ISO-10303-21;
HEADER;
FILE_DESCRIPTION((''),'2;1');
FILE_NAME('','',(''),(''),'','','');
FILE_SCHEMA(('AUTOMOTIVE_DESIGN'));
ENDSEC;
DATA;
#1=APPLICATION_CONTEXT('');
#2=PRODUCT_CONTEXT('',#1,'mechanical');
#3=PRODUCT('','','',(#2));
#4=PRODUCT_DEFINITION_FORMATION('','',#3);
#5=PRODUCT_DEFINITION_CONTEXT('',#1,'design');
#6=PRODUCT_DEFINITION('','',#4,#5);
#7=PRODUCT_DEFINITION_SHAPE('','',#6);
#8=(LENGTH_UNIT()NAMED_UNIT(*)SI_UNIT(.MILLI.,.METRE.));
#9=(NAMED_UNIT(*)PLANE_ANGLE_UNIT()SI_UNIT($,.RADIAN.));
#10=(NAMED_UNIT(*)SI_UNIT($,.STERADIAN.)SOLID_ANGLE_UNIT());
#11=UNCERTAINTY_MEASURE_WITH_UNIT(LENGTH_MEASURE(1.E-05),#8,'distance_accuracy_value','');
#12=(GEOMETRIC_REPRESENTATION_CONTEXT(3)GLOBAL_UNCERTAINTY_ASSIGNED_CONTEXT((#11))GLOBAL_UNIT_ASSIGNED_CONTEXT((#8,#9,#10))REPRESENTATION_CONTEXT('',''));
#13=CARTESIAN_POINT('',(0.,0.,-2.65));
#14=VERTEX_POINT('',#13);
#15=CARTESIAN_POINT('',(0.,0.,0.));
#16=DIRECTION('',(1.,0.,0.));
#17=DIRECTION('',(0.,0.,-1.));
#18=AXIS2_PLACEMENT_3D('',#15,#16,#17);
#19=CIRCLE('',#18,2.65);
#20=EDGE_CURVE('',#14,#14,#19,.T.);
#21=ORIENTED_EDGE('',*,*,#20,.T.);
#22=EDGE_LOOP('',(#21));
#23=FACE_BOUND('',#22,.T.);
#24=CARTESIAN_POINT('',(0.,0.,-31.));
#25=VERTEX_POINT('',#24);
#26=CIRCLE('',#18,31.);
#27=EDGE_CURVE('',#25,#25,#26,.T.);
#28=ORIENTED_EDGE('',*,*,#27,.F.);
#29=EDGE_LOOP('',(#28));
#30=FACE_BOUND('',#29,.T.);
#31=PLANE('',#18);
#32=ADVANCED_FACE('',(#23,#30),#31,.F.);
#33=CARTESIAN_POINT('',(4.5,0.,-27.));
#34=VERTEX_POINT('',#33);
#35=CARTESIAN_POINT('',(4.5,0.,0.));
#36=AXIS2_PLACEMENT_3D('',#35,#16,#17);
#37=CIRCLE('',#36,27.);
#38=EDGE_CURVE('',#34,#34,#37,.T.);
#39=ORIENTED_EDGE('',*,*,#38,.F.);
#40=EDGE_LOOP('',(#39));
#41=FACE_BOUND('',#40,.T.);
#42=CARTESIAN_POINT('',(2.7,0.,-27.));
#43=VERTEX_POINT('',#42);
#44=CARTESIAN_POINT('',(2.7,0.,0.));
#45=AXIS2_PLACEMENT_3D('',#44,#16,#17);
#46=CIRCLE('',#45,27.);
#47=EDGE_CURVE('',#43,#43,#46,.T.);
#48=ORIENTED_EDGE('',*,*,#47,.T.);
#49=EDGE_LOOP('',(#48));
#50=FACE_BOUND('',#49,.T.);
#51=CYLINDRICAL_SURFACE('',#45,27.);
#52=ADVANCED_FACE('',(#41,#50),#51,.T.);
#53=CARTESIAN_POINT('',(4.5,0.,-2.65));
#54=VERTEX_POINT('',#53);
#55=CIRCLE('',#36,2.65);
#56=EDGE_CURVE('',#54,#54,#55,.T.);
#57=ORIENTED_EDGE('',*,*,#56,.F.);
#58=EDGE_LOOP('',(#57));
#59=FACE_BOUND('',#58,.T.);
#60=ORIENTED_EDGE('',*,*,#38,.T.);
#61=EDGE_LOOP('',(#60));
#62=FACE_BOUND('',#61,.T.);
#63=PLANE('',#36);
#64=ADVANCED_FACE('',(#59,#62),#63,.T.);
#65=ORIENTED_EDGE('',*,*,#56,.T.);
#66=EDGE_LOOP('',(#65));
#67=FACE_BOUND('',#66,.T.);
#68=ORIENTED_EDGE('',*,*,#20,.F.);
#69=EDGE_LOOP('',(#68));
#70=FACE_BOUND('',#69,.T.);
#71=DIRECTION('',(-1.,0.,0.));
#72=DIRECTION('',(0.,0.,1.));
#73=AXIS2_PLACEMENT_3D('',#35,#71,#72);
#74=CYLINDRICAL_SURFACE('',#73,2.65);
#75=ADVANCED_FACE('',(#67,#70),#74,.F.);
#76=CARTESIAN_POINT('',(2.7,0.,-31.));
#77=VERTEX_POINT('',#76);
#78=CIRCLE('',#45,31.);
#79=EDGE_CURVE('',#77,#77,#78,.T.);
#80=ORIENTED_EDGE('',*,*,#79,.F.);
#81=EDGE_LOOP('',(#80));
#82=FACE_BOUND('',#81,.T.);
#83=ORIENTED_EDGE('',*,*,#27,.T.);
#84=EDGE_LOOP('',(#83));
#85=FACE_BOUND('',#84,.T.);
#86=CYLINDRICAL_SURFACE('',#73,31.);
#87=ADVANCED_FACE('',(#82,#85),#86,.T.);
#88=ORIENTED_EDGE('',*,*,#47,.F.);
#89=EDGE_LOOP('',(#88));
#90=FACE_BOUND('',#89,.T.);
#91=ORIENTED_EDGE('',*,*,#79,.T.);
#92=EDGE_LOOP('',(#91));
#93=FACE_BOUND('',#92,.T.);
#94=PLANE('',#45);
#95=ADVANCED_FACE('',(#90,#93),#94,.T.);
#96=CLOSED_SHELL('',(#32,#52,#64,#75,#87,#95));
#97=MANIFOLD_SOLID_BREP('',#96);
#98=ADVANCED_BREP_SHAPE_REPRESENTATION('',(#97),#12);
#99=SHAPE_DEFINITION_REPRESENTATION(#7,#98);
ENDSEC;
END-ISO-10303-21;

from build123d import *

# Parameters (mm, degrees)
SKETCH1_R           = 31
SKETCH1_R_2         = 2.65
BOSS_EXTRUDE1_DEPTH = 4.5
SKETCH2_R           = 50
SKETCH2_R_2         = 27
CUT_EXTRUDE1_DEPTH  = 1.8


with BuildPart() as part:
    # Sketch1 → Boss-Extrude1 (new body)
    with BuildSketch(Plane(origin=(0, 0, 0), x_dir=(0, 0, -1), z_dir=(1, 0, 0))):
        Circle(SKETCH1_R)
        Circle(SKETCH1_R_2, mode=Mode.SUBTRACT)
    extrude(amount=BOSS_EXTRUDE1_DEPTH)

    # Sketch2 → Cut-Extrude1 (cut)
    with BuildSketch(Plane(origin=(4.5, 0, 0), x_dir=(0, 0, -1), z_dir=(1, 0, 0))):
        Circle(SKETCH2_R)
        Circle(SKETCH2_R_2, mode=Mode.SUBTRACT)
    extrude(amount=-CUT_EXTRUDE1_DEPTH, mode=Mode.SUBTRACT)


solid = part.part
